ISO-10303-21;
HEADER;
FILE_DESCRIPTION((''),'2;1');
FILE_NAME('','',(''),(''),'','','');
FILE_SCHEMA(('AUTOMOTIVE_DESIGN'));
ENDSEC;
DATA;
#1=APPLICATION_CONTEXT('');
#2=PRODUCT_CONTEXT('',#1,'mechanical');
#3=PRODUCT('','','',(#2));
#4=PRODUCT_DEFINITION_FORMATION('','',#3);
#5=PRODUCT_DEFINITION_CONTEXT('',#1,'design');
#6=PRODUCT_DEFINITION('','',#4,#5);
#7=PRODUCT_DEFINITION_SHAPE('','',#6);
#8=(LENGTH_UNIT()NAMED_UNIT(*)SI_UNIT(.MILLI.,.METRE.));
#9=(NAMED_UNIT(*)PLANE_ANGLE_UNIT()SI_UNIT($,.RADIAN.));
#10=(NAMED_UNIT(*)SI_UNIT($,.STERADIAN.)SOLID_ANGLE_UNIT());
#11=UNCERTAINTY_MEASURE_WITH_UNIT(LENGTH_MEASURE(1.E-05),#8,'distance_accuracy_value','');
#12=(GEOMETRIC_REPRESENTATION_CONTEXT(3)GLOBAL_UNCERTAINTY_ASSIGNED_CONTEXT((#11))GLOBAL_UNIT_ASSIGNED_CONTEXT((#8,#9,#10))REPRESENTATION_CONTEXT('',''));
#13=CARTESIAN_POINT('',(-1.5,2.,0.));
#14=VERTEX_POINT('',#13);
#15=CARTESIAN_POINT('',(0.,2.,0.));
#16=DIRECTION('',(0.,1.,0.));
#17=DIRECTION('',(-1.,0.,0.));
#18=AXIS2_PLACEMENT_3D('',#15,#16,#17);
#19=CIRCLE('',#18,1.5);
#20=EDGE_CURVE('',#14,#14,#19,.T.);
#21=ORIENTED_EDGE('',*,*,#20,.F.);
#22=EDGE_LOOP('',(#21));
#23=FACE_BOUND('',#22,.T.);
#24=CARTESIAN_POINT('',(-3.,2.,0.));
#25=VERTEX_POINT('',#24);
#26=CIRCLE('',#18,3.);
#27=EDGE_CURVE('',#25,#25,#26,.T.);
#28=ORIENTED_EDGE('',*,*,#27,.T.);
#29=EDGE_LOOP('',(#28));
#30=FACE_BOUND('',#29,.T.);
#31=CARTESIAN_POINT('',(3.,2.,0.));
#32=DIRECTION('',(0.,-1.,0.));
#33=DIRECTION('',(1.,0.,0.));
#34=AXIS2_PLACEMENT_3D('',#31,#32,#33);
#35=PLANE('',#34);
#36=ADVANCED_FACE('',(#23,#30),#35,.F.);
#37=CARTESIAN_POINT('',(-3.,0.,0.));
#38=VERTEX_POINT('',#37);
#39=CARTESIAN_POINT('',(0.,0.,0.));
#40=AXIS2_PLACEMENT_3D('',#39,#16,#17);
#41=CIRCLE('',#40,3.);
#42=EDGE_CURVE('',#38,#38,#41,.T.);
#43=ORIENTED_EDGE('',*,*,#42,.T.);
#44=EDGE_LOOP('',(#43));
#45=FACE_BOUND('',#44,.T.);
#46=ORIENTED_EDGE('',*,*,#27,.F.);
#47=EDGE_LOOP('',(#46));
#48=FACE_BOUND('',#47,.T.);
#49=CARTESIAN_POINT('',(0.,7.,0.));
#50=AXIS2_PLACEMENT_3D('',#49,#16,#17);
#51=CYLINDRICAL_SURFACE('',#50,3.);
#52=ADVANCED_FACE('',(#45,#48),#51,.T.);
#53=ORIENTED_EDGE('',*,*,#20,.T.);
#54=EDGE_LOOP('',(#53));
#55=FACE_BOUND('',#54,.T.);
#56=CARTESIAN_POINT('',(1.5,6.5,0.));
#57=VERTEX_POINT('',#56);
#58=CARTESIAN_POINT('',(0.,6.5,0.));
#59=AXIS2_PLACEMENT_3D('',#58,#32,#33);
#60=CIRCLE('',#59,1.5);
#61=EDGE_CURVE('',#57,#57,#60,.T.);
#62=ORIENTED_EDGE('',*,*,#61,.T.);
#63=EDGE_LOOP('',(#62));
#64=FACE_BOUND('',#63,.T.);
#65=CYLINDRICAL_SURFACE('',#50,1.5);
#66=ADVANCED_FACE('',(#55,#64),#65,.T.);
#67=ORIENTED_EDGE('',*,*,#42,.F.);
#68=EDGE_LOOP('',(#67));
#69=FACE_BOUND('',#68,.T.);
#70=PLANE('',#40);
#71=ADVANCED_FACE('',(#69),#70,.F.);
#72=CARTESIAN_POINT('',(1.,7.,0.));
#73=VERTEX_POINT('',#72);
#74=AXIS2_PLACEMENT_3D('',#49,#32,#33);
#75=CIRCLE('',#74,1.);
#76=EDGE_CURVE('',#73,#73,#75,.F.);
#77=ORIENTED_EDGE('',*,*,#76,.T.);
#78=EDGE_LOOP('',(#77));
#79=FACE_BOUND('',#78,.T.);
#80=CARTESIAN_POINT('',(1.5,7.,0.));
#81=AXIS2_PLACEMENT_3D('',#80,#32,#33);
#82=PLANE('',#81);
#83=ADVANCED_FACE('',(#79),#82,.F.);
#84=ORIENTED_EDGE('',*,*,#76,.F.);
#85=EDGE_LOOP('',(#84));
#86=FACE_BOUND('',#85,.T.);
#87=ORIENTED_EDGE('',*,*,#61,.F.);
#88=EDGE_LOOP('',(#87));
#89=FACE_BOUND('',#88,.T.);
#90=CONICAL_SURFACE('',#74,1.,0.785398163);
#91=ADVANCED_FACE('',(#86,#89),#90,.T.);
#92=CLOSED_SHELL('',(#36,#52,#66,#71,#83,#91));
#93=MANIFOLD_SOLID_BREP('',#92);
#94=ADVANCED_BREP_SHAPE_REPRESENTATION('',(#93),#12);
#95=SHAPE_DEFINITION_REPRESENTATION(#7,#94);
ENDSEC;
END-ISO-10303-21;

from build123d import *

# Parameters (mm, degrees)
CHAMFER1_SIZE = 0.5


with BuildPart() as part:
    # Sketch1 → Revolve1 (revolve)
    with BuildSketch(Plane.XY, mode=Mode.PRIVATE) as revolve1_sk:
        Polygon((0, 0), (3, 0), (3, 2), (1.5, 2), (1.5, 7), (0, 7), align=None)
    revolve(revolve1_sk.sketch.rotate(Axis((0, 7, 0), (0, -1, 0)), 180), axis=Axis((0, 7, 0), (0, -1, 0)))

    # Chamfer1
    chamfer1_edges = [part.edges().sort_by_distance(p)[0] for p in [
        (1.5, 7, 0),
    ]]
    chamfer(chamfer1_edges, length=CHAMFER1_SIZE)


solid = part.part
